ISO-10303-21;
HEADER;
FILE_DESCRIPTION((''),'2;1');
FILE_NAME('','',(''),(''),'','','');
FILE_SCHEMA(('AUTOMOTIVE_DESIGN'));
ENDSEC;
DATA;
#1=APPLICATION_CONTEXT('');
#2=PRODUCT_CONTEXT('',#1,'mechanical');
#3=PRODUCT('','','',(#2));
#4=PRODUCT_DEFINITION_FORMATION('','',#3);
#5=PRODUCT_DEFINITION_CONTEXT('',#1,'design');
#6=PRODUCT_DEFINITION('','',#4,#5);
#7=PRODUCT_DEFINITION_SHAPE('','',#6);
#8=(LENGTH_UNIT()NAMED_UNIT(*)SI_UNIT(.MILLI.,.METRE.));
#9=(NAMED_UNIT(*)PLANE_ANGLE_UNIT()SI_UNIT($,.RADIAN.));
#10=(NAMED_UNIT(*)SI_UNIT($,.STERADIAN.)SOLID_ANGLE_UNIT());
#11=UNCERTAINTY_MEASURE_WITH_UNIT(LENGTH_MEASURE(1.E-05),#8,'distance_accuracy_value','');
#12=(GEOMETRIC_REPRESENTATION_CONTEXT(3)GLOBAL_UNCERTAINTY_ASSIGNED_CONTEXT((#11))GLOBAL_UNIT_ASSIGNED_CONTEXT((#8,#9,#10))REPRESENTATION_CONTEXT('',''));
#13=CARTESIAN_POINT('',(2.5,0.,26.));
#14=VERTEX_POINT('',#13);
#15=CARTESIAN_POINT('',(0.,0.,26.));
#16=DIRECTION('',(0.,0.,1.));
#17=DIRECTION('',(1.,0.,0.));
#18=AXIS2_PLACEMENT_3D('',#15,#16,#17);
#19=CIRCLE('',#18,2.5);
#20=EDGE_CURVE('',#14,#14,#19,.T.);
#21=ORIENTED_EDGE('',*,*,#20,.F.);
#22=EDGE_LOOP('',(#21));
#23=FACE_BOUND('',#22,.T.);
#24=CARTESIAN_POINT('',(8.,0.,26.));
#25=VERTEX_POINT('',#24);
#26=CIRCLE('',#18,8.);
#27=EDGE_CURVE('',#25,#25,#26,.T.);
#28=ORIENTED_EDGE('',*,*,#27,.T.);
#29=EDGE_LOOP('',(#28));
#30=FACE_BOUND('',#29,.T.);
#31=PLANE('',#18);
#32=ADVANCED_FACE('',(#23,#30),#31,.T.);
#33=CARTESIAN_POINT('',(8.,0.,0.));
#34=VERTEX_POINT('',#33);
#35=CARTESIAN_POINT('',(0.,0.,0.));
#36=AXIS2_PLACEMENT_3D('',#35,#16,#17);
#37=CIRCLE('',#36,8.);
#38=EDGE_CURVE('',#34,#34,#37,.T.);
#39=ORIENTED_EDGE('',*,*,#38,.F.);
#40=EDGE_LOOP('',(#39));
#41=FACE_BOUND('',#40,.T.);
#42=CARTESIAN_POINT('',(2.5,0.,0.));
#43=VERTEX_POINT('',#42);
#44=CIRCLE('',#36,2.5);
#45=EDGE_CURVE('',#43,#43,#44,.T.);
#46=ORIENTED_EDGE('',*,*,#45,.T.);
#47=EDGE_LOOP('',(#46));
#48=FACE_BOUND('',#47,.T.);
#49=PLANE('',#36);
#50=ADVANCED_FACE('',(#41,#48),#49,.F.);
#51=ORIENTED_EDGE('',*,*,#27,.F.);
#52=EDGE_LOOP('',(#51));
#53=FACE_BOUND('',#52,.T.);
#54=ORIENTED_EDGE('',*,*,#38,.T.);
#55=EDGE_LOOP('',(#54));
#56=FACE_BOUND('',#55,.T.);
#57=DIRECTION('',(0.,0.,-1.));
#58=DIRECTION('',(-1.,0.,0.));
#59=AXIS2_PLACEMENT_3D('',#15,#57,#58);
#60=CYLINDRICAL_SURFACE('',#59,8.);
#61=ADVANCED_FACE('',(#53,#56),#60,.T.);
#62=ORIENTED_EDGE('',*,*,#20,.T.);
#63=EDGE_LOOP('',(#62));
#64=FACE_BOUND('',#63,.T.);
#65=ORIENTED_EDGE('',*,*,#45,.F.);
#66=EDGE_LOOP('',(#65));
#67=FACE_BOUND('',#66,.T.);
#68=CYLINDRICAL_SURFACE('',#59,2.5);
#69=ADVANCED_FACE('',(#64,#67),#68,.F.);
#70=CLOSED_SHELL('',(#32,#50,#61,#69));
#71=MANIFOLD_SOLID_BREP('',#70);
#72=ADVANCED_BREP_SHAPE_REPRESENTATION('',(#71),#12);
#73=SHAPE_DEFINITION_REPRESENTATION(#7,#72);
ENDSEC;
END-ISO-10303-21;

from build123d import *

# Parameters (mm, degrees)
SKETCH1_R           = 8
SKETCH1_R_2         = 2.5
BOSS_EXTRUDE1_DEPTH = 26


with BuildPart() as part:
    # Sketch1 → Boss-Extrude1 (new body)
    with BuildSketch(Plane.XY):
        Circle(SKETCH1_R)
        Circle(SKETCH1_R_2, mode=Mode.SUBTRACT)
    extrude(amount=BOSS_EXTRUDE1_DEPTH)


solid = part.part
